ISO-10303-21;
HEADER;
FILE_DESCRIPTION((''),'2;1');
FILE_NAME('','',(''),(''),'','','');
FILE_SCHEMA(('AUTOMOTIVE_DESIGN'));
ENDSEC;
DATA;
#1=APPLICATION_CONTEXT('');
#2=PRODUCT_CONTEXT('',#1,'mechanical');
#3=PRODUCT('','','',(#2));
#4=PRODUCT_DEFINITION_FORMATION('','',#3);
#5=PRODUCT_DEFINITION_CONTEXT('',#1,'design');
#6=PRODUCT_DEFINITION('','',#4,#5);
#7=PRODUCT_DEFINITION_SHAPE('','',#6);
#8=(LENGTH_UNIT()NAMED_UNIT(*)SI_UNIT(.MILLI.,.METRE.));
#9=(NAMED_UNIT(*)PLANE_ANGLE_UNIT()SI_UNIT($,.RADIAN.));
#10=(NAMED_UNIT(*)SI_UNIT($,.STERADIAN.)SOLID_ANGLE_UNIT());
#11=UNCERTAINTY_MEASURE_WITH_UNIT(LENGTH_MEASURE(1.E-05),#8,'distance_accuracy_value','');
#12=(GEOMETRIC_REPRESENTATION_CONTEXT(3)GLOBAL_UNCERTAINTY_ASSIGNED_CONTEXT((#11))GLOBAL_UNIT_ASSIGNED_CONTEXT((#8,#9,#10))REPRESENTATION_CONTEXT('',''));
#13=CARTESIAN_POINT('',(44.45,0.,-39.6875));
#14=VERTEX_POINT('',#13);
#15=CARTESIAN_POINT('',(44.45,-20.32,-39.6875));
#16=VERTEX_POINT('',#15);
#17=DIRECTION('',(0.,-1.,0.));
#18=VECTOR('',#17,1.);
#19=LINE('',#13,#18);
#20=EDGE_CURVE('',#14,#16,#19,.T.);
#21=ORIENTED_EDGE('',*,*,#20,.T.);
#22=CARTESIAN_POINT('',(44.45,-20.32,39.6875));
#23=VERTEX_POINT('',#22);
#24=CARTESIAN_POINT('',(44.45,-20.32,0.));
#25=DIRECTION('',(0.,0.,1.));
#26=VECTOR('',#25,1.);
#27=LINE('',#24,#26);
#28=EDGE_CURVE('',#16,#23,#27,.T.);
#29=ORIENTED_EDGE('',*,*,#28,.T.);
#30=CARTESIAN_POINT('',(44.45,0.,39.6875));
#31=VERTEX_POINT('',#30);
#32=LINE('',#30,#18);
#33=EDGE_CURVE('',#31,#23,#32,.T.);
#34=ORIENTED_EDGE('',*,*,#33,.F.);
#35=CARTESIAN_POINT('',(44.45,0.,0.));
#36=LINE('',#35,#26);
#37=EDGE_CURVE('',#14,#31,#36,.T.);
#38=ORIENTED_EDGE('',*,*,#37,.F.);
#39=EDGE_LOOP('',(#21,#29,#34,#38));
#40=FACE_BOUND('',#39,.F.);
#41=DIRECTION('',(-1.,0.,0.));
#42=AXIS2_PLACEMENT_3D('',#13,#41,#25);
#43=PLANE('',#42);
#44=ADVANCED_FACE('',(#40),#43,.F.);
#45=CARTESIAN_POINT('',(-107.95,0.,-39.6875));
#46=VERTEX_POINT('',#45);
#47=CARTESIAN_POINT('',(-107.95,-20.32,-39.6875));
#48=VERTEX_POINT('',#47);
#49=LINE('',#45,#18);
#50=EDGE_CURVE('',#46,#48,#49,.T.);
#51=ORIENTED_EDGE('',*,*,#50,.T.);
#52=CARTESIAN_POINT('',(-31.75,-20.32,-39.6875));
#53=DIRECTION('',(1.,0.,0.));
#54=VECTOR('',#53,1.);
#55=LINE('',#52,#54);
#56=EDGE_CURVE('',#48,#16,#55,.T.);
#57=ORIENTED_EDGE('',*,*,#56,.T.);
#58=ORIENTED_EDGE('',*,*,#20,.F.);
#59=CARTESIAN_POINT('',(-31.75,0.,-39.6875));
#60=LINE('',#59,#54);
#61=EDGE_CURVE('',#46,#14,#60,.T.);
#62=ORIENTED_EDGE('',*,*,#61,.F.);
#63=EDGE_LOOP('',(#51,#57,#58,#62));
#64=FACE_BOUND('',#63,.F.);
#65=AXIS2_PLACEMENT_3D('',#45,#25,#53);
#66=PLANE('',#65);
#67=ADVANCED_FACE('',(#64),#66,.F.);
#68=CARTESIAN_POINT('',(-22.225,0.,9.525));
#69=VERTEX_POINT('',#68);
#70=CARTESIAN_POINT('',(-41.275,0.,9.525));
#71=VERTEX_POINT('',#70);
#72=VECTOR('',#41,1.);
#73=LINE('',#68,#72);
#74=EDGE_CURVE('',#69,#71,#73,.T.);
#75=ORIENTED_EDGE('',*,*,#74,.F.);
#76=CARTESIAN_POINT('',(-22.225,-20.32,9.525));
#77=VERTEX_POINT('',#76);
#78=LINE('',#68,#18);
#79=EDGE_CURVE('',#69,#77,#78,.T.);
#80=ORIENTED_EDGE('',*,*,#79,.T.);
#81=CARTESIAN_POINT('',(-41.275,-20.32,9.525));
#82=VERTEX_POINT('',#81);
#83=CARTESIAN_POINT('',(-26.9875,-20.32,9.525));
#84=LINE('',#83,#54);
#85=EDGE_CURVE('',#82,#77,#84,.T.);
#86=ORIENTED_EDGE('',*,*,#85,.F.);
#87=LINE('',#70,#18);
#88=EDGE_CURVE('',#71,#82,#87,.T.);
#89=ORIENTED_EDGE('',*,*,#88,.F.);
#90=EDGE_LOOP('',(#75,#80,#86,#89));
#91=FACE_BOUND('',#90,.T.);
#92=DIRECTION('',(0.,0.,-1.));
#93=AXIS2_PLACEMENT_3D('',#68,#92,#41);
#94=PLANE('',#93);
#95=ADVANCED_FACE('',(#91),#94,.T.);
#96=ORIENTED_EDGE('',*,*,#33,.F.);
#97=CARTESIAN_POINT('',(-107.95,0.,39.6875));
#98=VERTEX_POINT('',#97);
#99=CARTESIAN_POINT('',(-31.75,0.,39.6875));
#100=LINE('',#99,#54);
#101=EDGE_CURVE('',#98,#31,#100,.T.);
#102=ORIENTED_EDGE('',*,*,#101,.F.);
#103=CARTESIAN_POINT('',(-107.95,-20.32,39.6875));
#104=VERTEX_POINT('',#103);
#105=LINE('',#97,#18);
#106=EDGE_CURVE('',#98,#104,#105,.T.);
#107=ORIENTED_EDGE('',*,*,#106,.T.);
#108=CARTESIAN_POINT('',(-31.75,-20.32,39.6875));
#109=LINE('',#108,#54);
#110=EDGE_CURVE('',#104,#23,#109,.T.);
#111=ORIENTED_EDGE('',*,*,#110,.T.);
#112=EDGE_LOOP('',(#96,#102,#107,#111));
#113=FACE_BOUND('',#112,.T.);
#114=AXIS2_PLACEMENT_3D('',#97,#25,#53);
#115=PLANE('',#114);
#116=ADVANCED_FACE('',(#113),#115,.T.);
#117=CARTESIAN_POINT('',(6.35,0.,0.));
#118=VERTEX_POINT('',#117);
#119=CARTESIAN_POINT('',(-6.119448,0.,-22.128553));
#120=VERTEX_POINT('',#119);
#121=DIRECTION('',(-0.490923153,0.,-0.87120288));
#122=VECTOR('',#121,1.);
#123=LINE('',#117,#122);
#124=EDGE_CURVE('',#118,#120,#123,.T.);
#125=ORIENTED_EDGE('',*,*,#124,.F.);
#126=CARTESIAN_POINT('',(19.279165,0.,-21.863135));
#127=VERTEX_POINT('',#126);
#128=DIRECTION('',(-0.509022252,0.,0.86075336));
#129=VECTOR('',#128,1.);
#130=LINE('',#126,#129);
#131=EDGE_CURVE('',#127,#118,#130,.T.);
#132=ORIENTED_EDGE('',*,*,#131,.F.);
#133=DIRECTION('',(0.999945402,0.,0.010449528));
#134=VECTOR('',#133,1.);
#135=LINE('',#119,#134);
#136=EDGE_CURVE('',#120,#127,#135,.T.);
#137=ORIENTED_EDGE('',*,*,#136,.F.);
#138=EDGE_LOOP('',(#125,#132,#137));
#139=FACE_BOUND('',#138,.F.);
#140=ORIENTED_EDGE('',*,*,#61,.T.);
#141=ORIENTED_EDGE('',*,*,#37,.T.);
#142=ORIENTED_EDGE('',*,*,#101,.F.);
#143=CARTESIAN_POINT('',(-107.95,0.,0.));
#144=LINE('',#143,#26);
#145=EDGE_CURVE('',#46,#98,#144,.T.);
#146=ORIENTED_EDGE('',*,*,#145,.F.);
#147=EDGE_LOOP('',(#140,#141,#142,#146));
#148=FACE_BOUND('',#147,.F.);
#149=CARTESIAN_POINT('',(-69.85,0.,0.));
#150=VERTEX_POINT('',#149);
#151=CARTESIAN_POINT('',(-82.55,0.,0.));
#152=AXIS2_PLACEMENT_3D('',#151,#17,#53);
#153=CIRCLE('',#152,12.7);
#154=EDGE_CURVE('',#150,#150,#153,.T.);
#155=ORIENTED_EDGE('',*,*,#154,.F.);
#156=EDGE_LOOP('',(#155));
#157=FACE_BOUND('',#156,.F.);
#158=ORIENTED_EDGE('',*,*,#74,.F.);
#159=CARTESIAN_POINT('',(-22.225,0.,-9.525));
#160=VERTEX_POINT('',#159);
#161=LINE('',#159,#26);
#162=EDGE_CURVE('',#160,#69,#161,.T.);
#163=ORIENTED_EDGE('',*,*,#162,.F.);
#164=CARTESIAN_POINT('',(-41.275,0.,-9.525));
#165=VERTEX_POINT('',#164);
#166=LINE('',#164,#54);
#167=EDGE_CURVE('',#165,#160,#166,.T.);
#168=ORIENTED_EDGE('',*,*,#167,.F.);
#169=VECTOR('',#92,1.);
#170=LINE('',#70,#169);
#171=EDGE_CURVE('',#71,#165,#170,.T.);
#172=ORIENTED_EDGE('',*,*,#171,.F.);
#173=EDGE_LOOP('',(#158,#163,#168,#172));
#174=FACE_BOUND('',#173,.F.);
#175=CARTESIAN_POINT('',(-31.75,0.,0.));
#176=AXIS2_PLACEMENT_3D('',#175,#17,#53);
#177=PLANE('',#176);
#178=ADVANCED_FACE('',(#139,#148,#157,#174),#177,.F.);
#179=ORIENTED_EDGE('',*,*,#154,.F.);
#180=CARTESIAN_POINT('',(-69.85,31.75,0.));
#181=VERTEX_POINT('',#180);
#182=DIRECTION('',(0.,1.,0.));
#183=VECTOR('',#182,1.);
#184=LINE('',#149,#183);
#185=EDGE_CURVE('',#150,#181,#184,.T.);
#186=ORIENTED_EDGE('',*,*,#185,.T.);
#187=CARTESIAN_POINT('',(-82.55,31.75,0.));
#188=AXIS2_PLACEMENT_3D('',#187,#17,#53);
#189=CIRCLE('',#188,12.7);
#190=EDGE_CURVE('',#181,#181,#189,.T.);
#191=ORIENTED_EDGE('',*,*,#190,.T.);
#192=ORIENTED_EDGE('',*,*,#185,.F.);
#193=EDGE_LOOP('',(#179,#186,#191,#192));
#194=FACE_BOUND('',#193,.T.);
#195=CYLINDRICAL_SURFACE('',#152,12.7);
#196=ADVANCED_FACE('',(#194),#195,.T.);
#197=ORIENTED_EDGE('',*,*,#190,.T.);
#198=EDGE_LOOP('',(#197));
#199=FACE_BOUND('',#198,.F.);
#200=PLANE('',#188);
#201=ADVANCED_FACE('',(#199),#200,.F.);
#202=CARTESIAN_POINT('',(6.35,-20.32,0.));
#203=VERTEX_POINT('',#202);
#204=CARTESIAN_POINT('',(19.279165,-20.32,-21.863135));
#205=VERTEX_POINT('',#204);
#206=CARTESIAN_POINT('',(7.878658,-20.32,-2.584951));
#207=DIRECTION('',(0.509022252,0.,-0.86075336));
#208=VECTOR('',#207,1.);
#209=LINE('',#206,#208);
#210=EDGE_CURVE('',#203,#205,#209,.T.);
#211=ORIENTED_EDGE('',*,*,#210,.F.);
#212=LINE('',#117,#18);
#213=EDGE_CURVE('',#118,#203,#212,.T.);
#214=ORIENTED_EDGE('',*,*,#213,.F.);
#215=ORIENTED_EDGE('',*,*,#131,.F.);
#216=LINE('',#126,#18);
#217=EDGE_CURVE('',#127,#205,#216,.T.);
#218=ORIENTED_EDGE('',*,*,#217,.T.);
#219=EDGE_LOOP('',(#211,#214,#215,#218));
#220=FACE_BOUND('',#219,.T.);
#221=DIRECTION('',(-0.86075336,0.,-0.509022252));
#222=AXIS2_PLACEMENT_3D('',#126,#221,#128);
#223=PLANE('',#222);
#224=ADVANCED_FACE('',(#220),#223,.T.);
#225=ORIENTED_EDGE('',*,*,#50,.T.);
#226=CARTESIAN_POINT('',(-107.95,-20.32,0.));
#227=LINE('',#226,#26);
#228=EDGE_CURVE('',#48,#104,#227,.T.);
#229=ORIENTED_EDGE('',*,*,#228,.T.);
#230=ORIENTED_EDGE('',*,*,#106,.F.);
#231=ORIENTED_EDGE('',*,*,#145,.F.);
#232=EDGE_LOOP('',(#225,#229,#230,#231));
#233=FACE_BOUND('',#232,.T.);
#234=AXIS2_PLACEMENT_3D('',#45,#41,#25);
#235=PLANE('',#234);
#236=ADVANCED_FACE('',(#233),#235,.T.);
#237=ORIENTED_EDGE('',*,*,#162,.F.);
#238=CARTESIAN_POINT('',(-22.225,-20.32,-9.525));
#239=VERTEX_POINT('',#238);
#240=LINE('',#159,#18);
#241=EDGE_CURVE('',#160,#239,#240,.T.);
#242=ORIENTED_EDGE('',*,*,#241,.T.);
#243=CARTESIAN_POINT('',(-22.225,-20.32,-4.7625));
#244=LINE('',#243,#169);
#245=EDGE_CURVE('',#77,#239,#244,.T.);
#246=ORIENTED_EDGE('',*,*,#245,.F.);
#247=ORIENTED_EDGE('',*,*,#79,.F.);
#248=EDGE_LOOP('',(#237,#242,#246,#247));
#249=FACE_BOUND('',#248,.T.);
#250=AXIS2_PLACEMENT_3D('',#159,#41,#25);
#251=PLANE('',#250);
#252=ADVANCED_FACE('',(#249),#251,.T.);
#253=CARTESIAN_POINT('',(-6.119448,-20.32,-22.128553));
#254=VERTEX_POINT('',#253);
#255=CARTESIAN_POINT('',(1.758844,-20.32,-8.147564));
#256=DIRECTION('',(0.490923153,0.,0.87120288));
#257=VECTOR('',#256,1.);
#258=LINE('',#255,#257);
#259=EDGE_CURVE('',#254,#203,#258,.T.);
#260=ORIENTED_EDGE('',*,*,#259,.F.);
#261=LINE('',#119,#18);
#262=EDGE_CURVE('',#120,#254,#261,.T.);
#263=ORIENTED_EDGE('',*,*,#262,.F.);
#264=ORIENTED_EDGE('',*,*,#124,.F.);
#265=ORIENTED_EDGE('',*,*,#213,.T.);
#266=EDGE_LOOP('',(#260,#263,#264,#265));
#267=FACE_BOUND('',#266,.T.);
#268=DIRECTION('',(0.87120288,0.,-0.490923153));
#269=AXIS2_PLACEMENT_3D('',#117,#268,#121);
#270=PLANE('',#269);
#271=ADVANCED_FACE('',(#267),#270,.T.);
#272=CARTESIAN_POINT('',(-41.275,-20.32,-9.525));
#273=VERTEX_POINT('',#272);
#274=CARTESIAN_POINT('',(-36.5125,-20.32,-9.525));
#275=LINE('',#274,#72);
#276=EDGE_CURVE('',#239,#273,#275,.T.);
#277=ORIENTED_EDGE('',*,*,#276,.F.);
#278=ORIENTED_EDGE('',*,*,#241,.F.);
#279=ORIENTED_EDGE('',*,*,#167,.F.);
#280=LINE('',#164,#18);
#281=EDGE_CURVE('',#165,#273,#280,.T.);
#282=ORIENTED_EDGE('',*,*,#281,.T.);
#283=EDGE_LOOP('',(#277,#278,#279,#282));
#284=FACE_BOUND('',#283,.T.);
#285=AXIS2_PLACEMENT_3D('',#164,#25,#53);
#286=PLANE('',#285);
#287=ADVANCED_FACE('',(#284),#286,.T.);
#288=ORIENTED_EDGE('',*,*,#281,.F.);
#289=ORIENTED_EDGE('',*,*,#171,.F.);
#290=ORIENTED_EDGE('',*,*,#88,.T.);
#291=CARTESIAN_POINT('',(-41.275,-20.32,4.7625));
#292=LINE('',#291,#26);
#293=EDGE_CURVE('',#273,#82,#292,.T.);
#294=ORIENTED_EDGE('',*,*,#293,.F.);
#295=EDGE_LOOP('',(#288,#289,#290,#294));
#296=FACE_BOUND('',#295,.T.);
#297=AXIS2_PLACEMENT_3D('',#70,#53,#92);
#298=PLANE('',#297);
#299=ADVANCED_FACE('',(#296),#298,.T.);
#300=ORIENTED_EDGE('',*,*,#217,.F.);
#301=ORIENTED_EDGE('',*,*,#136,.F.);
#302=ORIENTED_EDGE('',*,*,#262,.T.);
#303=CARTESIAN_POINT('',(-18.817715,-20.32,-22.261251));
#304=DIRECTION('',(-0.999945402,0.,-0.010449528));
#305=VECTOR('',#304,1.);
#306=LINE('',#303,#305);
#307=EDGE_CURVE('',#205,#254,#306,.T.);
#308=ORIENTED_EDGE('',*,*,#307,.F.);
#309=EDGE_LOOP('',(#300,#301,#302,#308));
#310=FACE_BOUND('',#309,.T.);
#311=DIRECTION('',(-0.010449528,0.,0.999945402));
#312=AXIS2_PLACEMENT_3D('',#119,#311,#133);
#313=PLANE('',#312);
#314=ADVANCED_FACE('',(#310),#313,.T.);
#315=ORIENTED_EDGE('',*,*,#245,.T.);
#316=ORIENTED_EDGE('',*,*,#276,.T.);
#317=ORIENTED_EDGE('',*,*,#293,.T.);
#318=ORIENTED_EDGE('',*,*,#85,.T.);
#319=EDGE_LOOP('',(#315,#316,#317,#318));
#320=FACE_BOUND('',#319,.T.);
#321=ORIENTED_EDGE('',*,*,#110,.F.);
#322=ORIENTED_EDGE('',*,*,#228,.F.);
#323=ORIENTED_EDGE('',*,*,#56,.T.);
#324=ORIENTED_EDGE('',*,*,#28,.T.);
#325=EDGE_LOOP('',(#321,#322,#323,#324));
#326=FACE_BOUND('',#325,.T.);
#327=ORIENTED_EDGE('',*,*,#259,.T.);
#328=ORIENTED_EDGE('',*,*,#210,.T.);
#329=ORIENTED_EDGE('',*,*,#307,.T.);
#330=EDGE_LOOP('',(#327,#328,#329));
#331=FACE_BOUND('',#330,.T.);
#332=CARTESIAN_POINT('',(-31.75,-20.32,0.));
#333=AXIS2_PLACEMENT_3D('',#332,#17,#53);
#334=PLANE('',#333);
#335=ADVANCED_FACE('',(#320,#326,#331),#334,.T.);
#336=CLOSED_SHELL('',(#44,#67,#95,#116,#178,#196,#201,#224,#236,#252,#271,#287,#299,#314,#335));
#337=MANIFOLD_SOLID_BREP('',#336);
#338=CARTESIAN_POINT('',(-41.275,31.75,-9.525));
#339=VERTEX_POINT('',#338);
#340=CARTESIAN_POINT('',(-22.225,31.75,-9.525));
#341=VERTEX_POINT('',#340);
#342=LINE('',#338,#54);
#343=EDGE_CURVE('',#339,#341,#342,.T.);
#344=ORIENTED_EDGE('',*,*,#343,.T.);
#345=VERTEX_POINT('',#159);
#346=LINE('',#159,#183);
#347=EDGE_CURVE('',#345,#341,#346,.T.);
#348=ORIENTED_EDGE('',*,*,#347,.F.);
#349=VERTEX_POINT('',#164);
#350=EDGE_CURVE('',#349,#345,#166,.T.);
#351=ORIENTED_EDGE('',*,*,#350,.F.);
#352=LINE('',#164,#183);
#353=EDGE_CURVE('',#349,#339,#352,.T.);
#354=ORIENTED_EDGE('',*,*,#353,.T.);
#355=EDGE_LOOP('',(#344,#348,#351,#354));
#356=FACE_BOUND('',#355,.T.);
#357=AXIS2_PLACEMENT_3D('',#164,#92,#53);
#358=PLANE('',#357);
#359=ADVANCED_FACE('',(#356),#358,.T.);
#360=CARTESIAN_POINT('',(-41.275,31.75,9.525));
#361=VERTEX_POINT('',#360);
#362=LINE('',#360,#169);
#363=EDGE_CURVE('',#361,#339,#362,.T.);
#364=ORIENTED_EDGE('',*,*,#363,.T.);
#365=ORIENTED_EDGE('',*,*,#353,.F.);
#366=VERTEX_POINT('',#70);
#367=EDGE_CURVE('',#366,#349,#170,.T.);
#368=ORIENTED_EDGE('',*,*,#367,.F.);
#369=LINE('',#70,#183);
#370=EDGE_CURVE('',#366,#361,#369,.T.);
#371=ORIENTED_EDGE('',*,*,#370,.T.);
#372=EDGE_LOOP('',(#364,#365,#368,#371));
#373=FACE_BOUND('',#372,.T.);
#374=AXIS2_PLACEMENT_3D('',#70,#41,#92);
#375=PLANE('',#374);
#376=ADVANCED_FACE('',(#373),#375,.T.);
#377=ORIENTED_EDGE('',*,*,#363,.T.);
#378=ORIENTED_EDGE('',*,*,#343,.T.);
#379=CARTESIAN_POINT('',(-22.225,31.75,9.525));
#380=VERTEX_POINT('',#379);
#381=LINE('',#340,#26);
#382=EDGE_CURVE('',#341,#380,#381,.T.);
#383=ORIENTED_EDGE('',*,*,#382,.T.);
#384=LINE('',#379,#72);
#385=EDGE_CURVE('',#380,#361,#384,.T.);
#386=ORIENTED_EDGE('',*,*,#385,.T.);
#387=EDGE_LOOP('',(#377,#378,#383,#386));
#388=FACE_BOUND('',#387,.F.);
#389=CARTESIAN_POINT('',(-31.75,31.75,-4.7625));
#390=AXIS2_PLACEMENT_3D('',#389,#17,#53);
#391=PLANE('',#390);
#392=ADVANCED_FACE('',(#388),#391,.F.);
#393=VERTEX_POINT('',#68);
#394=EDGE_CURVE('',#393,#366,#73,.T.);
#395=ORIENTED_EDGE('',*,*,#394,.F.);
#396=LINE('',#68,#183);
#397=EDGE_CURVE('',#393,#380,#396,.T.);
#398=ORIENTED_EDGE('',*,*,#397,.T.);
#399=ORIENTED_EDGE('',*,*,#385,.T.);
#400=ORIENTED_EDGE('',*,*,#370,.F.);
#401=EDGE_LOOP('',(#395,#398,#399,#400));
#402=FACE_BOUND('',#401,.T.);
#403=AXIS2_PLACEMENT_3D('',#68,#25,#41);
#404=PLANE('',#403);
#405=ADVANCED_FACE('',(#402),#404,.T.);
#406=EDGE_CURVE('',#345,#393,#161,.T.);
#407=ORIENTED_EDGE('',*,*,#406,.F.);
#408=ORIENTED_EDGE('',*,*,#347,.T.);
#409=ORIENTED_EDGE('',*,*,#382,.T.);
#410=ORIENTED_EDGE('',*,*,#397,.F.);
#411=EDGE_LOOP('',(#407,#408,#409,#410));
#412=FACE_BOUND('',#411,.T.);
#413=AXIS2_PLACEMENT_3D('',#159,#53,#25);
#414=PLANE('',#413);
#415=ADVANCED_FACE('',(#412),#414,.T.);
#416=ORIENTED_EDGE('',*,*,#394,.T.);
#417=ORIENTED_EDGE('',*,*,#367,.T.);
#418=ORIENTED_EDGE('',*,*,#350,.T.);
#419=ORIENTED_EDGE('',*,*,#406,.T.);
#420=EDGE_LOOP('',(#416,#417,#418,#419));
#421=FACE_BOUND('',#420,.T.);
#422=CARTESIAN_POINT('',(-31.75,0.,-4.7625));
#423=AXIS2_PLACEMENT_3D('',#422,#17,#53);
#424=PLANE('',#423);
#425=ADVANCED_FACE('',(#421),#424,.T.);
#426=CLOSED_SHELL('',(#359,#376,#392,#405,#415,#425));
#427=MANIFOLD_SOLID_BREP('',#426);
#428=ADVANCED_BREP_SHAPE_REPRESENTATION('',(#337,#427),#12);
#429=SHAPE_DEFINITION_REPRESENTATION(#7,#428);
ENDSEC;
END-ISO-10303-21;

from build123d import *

# Parameters (mm, degrees)
F0_W     = 152.4
F0_H     = 79.375
F0_R     = 12.7
F1_DEPTH = 20.32
F2_DEPTH = 31.75
F3_DEPTH = 45.974
F4_DEPTH = 84.582
F5_DEPTH = 31.75


with BuildPart() as f1:
    # F0 (on Front) → F1 (new body)
    with BuildSketch(Plane.XZ):
        with Locations((-31.75, 0)):
            Rectangle(F0_W, F0_H)
        Polygon((-6.119448, -22.128553), (6.35, 0), (19.279165, -21.863135), align=None, mode=Mode.SUBTRACT)
        with Locations((-82.55, 0)):
            Circle(F0_R, mode=Mode.SUBTRACT)
        Polygon((-22.225, 9.525), (-22.225, 0), (-22.225, -9.525), (-41.275, -9.525), (-41.275, 0), (-41.275, 9.525), align=None, mode=Mode.SUBTRACT)
        with Locations((-82.55, 0)):
            Circle(F0_R)
        Polygon((-22.225, -9.525), (-22.225, 0), (-31.75, 0), (-41.275, 0), (-41.275, -9.525), align=None)
        Polygon((-31.75, 0), (-22.225, 0), (-22.225, 9.525), (-41.275, 9.525), (-41.275, 0), align=None)
        Polygon((19.279165, -21.863135), (6.35, 0), (-6.119448, -22.128553), align=None)
    extrude(amount=F1_DEPTH)

    # F0 (on Front) → F2 (join)
    with BuildSketch(Plane.XZ):
        with Locations((-82.55, 0)):
            Circle(F0_R)
    extrude(amount=-F2_DEPTH)

    # F0 (on Front) → F3 (cut)
    with BuildSketch(Plane.XZ):
        Polygon((19.279165, -21.863135), (6.35, 0), (-6.119448, -22.128553), align=None)
    extrude(amount=F3_DEPTH, mode=Mode.SUBTRACT)

    # F0 (on Front) → F4 (cut)
    with BuildSketch(Plane.XZ):
        Polygon((-22.225, -9.525), (-22.225, 0), (-31.75, 0), (-41.275, 0), (-41.275, -9.525), align=None)
        Polygon((-31.75, 0), (-22.225, 0), (-22.225, 9.525), (-41.275, 9.525), (-41.275, 0), align=None)
    extrude(amount=F4_DEPTH, mode=Mode.SUBTRACT)


with BuildPart() as f5:
    # F0 (on Front) → F5 (new body)
    with BuildSketch(Plane.XZ):
        Polygon((-22.225, -9.525), (-22.225, 0), (-31.75, 0), (-41.275, 0), (-41.275, -9.525), align=None)
        Polygon((-31.75, 0), (-22.225, 0), (-22.225, 9.525), (-41.275, 9.525), (-41.275, 0), align=None)
    extrude(amount=-F5_DEPTH)


solid = Compound([f1.part, f5.part])
